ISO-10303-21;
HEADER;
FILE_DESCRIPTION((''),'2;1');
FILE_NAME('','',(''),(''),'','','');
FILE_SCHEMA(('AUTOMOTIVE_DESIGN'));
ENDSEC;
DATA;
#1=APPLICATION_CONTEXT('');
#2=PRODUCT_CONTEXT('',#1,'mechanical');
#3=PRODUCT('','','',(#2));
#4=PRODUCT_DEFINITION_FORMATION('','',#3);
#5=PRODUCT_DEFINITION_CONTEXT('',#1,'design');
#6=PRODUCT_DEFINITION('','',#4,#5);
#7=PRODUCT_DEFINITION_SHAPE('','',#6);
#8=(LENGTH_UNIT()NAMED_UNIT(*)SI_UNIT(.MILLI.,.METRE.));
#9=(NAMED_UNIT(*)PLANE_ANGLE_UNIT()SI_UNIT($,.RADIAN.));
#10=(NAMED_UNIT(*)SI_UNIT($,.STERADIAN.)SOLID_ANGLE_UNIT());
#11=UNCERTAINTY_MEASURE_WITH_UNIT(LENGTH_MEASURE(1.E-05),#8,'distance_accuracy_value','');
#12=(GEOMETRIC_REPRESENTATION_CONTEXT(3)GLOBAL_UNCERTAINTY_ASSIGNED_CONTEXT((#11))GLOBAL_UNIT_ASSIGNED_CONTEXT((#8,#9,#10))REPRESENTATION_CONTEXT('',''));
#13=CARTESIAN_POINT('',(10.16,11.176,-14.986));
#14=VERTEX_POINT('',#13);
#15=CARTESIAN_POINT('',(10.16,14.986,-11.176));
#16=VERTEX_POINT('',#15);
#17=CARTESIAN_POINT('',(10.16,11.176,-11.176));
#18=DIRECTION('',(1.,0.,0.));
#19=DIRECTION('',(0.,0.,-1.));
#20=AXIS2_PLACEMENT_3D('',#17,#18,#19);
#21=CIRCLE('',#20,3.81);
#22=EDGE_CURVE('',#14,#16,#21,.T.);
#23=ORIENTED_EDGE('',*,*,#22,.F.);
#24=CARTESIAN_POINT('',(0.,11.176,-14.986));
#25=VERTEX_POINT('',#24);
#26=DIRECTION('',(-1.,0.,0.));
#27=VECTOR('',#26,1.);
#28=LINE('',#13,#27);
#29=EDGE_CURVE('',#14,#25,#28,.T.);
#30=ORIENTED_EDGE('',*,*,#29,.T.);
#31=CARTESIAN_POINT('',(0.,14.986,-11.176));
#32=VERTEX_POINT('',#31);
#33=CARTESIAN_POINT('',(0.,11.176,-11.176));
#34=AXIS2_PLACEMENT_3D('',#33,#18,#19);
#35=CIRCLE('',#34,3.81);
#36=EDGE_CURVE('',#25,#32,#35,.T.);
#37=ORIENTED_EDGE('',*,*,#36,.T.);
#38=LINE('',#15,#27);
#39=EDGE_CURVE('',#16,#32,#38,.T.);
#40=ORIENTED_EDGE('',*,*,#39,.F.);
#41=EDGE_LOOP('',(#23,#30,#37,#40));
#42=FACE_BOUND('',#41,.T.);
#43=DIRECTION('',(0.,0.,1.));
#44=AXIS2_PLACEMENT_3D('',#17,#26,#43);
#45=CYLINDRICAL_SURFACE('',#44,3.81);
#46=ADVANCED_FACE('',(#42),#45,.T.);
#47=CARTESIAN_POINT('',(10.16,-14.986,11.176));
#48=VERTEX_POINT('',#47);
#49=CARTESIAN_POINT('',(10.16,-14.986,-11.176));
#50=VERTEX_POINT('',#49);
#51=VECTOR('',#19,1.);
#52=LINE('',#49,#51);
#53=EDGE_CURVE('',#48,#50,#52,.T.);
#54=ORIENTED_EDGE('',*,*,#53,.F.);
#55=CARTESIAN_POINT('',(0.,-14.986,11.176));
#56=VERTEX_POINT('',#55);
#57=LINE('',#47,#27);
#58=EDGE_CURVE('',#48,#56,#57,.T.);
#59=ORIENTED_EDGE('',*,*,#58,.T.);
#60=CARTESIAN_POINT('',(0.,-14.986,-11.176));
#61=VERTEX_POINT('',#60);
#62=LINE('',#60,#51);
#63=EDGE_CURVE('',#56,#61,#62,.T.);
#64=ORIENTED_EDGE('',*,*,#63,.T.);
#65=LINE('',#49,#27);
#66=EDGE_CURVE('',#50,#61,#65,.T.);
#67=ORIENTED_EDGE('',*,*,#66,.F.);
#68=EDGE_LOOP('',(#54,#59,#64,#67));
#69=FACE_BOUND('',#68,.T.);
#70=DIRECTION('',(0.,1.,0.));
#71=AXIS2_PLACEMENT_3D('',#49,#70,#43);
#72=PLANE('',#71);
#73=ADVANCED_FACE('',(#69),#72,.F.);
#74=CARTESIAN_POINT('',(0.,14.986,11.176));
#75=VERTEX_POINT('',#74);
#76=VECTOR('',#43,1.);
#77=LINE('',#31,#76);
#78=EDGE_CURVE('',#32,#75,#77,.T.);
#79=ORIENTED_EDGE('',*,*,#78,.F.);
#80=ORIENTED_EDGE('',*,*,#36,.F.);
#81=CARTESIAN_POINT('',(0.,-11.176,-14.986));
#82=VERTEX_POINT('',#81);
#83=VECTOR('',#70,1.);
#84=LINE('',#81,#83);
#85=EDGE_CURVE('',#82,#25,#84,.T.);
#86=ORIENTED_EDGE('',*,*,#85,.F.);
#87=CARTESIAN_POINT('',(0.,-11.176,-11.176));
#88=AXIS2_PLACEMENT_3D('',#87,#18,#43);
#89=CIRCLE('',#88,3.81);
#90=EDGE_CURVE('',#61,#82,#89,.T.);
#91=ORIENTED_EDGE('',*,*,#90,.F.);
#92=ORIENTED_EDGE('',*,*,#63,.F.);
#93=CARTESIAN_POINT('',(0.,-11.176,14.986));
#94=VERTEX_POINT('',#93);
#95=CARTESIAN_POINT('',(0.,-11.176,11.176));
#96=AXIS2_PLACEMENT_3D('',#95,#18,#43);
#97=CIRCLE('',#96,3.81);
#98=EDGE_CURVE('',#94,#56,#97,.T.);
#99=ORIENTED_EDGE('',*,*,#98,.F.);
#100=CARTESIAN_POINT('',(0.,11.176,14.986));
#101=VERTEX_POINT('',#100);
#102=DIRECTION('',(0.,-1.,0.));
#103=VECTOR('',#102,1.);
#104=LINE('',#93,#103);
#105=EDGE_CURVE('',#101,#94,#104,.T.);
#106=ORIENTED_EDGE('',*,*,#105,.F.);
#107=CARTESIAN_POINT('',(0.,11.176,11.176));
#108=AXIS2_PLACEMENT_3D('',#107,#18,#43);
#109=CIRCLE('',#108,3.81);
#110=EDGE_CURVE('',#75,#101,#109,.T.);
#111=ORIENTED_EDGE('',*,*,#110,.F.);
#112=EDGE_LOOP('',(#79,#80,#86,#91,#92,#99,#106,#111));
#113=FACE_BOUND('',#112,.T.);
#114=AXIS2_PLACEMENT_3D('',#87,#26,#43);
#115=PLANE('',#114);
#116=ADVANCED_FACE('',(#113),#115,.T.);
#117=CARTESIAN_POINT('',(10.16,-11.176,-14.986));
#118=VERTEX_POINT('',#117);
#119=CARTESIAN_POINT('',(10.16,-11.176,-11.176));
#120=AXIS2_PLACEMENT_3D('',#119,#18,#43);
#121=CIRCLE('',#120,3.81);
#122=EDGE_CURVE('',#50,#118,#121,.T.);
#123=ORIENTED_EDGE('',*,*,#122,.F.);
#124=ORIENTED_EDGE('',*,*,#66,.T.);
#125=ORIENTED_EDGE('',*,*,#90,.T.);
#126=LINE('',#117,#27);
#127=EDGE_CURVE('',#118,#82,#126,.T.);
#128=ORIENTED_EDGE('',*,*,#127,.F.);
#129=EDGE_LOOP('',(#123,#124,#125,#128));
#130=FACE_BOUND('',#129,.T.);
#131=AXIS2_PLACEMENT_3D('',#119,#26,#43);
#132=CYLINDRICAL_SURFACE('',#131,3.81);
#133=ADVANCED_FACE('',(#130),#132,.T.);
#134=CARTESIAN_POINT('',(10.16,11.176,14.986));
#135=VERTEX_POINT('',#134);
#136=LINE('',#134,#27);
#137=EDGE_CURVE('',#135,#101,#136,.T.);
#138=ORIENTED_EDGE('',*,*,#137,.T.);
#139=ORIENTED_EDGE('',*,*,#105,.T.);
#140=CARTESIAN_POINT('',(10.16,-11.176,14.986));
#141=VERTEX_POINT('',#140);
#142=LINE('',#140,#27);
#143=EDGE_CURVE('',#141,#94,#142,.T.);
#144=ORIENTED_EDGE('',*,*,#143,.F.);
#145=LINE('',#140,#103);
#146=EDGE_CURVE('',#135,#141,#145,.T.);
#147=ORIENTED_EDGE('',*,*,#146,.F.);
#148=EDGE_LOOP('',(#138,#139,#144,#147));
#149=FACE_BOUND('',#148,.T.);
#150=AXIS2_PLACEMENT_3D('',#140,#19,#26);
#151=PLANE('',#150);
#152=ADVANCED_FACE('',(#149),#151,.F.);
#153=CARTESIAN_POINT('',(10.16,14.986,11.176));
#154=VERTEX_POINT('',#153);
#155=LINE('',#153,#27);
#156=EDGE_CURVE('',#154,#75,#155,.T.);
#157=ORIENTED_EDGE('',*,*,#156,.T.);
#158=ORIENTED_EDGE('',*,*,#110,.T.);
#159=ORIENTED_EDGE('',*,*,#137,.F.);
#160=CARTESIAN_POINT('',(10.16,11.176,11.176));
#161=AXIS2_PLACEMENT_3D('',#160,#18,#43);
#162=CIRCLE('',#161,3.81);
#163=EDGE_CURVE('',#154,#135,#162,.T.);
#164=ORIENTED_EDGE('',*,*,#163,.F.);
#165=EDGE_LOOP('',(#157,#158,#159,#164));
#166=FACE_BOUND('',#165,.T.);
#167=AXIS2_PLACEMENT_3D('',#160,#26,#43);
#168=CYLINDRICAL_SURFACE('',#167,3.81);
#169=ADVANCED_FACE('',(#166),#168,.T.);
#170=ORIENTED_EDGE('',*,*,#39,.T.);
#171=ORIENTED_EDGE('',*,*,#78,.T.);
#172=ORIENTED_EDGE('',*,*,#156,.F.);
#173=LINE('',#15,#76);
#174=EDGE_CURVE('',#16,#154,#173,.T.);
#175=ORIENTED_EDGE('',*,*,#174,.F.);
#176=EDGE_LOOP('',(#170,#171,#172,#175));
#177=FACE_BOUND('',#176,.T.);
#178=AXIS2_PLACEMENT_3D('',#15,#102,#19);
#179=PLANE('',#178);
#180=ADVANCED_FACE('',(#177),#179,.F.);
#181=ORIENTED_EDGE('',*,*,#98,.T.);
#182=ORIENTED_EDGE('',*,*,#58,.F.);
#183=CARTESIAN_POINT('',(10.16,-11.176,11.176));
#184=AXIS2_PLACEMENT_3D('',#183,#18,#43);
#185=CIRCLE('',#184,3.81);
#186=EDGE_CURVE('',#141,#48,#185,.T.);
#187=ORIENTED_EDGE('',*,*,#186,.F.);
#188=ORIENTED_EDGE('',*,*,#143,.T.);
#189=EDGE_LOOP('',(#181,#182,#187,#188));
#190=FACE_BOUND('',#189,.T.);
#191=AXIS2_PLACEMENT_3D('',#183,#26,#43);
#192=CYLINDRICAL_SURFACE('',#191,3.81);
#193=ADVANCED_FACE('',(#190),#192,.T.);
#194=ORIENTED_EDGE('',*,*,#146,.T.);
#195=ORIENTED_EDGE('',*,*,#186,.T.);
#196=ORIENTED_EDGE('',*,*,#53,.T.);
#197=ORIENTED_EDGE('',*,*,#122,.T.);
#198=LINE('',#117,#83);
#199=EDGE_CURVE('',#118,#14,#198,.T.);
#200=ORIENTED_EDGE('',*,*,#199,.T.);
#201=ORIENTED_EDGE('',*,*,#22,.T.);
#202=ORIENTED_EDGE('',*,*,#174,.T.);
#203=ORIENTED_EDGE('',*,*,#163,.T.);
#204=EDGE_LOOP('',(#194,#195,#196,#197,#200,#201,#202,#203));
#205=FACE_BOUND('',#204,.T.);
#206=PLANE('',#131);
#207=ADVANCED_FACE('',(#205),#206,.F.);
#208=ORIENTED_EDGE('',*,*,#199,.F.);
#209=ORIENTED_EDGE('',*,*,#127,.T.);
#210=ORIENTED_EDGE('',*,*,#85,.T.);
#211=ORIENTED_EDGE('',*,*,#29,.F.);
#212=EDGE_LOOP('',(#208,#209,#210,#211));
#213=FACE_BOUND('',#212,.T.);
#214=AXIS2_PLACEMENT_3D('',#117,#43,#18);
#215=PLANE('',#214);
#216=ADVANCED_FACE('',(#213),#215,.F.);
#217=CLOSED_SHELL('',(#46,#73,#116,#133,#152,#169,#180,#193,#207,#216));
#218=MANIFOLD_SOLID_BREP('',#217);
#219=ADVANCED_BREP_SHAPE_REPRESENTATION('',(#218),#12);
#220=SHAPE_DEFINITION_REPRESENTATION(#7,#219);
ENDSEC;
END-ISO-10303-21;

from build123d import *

# Parameters (mm, degrees)
BOSS_EXTRUDE1_DEPTH = 10.16


with BuildPart() as part:
    # Sketch1 → Boss-Extrude1 (new body)
    with BuildSketch(Plane.YZ):
        with BuildLine():
            Line((-11.176, -14.986), (11.176, -14.986))
            ThreePointArc((11.176, -14.986), (13.870076836, -13.870076836), (14.986, -11.176))
            Line((14.986, -11.176), (14.986, 11.176))
            ThreePointArc((14.986, 11.176), (13.870076836, 13.870076836), (11.176, 14.986))
            Line((11.176, 14.986), (-11.176, 14.986))
            ThreePointArc((-11.176, 14.986), (-13.870076836, 13.870076836), (-14.986, 11.176))
            Line((-14.986, 11.176), (-14.986, -11.176))
            ThreePointArc((-14.986, -11.176), (-13.870076836, -13.870076836), (-11.176, -14.986))
        make_face()
    extrude(amount=BOSS_EXTRUDE1_DEPTH)


solid = part.part
